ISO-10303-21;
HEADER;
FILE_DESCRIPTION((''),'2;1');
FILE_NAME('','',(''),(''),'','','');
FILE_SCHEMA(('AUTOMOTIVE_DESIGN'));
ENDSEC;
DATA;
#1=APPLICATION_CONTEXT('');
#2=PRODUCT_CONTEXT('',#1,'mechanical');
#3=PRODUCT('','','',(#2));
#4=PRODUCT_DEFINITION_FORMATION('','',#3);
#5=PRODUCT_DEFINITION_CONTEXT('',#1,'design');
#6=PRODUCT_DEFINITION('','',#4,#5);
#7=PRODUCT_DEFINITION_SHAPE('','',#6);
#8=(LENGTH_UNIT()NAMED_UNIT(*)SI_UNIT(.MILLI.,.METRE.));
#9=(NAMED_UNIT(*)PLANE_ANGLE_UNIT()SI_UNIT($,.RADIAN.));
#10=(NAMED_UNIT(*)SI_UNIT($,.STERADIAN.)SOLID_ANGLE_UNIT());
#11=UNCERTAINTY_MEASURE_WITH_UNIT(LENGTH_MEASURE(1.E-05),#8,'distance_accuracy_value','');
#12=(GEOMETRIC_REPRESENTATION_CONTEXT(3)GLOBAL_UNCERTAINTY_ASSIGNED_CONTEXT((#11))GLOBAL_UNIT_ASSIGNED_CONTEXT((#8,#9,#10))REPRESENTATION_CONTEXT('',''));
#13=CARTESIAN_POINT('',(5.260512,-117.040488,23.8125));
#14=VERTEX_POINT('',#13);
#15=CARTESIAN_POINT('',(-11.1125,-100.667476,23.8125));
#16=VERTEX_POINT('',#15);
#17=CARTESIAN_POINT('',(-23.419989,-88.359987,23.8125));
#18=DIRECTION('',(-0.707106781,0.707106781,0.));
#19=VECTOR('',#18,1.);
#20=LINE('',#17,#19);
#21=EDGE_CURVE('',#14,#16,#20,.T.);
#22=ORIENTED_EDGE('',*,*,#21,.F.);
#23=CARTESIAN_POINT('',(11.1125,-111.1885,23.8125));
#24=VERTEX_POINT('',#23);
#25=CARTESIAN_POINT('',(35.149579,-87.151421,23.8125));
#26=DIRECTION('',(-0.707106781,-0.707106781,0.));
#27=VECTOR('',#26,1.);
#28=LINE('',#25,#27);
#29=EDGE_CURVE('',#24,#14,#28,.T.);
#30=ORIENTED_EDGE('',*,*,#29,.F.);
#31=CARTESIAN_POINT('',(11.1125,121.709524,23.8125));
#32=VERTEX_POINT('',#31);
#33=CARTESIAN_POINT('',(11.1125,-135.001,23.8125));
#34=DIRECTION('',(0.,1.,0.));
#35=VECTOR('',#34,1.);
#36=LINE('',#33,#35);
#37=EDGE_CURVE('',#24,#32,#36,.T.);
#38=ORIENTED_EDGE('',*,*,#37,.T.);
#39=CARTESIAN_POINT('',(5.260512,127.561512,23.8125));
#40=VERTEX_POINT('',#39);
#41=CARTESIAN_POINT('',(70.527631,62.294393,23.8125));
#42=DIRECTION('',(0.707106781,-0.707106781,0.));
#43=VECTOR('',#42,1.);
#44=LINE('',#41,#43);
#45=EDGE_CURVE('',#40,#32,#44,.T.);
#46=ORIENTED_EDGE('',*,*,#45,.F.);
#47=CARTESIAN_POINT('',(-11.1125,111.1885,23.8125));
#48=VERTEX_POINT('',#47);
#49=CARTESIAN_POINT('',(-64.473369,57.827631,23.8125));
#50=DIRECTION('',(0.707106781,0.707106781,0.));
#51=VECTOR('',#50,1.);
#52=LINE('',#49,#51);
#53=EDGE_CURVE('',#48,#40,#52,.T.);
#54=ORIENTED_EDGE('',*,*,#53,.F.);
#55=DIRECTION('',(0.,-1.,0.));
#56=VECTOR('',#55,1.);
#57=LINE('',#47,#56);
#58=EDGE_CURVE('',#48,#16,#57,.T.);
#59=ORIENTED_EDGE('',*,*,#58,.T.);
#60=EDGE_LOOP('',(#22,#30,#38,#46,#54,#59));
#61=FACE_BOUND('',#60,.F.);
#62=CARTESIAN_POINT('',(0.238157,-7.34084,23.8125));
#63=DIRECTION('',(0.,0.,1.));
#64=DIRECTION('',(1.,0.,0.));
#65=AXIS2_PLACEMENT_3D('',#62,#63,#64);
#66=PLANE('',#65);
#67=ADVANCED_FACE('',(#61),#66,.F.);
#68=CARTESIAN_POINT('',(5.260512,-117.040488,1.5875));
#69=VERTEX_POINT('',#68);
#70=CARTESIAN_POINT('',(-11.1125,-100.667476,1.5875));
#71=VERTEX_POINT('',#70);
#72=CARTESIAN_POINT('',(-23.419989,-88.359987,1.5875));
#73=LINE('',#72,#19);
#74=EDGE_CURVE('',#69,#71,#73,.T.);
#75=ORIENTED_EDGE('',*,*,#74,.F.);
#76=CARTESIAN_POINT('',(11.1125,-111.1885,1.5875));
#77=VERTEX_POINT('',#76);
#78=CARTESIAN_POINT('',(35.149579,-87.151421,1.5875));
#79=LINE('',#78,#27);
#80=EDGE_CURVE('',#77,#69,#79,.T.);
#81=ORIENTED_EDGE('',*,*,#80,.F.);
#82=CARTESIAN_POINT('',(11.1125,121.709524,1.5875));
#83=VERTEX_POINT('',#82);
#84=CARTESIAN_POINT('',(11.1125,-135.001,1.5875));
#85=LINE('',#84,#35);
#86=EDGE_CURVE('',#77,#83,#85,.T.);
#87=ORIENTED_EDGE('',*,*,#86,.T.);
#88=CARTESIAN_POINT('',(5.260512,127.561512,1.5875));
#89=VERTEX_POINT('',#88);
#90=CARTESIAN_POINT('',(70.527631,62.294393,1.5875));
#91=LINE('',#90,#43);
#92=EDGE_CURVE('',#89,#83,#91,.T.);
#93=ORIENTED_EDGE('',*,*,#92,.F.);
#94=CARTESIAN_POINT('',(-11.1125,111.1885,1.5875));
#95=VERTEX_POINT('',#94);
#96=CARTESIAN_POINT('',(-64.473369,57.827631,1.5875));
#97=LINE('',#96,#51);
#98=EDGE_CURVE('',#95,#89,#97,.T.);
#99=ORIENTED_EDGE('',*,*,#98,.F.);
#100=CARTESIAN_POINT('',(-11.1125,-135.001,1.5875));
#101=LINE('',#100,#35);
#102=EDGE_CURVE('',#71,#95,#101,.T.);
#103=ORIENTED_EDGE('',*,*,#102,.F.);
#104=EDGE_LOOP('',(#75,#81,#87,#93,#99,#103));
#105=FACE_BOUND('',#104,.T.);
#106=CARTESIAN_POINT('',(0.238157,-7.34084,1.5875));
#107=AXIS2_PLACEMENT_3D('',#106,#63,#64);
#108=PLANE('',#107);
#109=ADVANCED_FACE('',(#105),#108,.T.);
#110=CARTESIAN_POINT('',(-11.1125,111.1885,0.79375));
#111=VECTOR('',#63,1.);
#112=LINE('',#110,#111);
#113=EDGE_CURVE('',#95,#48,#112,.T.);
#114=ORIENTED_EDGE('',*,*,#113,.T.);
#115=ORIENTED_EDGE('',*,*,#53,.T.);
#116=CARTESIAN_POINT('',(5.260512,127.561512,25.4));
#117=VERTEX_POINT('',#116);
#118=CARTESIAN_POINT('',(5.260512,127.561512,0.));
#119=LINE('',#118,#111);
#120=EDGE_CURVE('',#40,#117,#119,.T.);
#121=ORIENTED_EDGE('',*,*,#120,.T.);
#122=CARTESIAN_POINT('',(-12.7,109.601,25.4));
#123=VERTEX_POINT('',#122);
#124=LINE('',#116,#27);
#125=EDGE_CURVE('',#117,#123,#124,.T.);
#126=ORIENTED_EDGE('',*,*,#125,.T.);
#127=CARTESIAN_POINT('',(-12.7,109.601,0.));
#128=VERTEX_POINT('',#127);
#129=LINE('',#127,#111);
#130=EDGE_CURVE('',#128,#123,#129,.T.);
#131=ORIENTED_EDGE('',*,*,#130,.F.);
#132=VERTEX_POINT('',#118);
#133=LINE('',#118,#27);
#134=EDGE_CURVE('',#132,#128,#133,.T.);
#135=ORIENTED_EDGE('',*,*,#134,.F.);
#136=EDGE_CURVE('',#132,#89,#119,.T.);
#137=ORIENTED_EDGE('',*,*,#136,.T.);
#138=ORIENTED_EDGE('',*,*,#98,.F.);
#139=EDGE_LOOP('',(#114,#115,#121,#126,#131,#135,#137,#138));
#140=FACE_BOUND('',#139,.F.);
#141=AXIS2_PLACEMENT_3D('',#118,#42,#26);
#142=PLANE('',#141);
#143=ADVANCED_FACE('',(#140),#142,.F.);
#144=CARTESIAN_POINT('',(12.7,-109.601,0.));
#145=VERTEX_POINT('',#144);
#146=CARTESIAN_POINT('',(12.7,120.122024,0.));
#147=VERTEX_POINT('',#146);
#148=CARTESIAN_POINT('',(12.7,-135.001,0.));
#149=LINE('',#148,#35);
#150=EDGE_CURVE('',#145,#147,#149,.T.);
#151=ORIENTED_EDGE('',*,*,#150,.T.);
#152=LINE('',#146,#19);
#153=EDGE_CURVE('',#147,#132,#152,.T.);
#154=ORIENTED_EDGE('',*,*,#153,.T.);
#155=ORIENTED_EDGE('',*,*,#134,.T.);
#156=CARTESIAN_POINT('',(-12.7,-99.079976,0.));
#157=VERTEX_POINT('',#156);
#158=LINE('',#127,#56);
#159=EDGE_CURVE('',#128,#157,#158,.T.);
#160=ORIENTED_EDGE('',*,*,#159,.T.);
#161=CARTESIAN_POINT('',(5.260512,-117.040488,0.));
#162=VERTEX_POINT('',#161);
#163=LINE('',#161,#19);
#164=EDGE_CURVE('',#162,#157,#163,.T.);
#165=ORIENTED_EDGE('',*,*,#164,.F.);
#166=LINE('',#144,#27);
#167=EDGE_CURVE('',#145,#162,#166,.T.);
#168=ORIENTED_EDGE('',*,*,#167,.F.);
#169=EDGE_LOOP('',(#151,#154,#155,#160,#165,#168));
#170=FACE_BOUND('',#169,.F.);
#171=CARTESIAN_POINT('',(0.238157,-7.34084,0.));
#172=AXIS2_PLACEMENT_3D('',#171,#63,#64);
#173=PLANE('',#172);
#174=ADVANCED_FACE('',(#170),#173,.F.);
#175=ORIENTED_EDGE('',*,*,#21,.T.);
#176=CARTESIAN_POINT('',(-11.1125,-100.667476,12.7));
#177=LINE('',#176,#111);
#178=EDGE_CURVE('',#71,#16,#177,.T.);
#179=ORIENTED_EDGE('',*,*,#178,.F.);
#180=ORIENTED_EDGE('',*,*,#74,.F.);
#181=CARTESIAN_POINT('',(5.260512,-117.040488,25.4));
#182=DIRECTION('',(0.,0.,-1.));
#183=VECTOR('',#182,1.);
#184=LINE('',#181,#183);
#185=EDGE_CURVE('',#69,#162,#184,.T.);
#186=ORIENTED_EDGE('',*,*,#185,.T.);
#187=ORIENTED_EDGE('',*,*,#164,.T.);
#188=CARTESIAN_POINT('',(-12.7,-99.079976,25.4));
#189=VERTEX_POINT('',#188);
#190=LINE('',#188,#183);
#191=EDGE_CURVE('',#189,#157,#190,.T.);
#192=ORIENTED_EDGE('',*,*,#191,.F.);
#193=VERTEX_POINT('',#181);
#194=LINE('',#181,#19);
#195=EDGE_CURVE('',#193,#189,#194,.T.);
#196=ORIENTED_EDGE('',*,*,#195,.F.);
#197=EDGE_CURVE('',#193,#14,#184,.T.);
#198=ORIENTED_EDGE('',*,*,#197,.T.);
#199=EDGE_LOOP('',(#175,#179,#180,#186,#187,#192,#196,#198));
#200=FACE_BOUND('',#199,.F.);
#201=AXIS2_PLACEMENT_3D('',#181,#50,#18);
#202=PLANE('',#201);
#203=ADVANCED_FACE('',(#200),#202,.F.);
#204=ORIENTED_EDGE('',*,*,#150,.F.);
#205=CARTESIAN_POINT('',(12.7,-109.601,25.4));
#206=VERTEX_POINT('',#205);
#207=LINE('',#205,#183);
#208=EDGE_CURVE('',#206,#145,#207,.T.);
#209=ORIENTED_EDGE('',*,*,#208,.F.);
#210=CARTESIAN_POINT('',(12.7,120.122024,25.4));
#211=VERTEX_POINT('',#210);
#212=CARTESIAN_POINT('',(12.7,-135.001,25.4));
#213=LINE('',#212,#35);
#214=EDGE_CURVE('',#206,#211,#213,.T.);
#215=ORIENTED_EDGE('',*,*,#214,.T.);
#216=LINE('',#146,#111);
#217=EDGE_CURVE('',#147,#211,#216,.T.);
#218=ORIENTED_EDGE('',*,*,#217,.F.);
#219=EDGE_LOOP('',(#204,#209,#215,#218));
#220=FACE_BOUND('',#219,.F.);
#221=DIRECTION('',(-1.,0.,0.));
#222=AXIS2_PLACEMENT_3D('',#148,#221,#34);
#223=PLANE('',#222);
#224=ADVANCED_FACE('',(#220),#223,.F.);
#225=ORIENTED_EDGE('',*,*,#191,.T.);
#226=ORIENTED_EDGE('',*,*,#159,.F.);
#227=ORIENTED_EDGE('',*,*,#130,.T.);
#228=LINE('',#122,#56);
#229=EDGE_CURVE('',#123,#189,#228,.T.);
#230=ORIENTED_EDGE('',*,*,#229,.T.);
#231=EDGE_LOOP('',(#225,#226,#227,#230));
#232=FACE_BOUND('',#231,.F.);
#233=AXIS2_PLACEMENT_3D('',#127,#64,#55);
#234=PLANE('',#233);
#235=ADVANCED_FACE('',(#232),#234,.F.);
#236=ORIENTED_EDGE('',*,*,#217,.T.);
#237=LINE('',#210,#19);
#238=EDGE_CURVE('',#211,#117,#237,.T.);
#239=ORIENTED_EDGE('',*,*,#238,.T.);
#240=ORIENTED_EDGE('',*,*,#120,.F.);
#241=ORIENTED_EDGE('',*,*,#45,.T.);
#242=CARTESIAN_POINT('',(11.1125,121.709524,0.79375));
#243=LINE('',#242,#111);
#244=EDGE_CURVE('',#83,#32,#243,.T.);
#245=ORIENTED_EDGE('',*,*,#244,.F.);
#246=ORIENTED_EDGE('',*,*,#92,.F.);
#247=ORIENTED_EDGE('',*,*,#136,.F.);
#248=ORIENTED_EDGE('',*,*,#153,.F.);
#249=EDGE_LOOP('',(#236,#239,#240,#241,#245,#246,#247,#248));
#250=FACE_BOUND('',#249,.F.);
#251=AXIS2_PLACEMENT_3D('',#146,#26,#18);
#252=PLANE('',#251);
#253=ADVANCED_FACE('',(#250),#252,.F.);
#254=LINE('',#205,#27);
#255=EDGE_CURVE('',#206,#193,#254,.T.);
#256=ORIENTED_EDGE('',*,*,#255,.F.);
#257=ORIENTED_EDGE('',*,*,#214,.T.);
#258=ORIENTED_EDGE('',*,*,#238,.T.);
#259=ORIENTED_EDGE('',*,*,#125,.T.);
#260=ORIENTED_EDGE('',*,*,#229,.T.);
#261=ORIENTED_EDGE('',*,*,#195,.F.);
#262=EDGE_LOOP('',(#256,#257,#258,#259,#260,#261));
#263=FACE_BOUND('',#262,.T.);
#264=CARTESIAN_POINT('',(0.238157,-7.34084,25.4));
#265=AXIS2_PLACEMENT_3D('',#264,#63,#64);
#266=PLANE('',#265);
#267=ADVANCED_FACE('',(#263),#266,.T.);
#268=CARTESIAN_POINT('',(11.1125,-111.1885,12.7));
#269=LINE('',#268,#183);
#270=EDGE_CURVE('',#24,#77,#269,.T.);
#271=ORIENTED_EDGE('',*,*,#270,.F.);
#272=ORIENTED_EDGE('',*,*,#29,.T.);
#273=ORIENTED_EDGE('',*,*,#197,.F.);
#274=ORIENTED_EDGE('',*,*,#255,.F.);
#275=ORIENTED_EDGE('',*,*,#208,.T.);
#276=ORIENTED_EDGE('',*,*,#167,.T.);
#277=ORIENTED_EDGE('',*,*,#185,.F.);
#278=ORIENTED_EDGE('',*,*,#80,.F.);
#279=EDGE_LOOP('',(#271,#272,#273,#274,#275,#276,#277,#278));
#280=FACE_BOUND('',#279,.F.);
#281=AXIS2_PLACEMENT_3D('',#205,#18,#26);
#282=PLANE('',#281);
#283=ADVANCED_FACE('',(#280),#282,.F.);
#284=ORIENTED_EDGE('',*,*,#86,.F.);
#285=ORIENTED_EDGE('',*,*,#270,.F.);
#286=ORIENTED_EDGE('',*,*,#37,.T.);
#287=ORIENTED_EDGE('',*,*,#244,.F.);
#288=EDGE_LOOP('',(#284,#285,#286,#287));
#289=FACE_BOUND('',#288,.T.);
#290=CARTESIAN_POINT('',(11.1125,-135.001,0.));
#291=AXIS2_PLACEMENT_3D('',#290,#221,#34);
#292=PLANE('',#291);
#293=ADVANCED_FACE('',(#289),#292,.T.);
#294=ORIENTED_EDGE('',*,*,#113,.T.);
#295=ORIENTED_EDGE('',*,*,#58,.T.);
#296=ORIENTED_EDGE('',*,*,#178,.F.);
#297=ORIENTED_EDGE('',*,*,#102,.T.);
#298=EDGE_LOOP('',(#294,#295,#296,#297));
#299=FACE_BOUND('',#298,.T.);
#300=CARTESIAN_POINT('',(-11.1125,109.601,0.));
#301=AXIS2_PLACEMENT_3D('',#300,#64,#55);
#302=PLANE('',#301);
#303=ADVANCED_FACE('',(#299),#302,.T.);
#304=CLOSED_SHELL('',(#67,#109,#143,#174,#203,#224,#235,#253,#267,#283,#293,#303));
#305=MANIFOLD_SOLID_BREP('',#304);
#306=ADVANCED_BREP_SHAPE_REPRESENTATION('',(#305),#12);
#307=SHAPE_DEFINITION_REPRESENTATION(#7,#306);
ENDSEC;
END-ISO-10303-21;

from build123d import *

# Parameters (mm, degrees)
F1_DEPTH = 25.4
F2_T     = -1.5875
F3_W     = 22.225
F3_H     = 22.225
F4_DEPTH = 262.563512
F6_DEPTH = 25.4


with BuildPart() as f1:
    # F0 (on Top) → F1 (new body)
    with BuildSketch(Plane.XY):
        Polygon((5.260512, 127.561512), (-12.7, 109.601), (-12.7, -135.001), (12.7, -135.001), (12.7, 120.122024), align=None)
    extrude(amount=F1_DEPTH)

    # F2
    f2_openings = [f1.faces().sort_by_distance(p)[0] for p in [
        (0, -135.001, 12.7),
    ]]
    offset(amount=F2_T, openings=f2_openings)

    # F3 (on face) → F4 (cut, through all)
    with BuildSketch(Plane.XZ.offset(135.001)):
        with Locations((0, 12.7)):
            Rectangle(F3_W, F3_H)
    extrude(amount=-F4_DEPTH, mode=Mode.SUBTRACT)

    # F5 (on face) → F6 (cut)
    with BuildSketch(Plane.XY.offset(25.4)):
        Polygon((5.260512, -117.040488), (-12.7, -135.001), (12.7, -135.001), (12.7, -109.601), align=None)
        Polygon((-12.7, -99.079976), (-12.7, -135.001), (5.260512, -117.040488), align=None)
    extrude(amount=-F6_DEPTH, mode=Mode.SUBTRACT)


solid = f1.part
